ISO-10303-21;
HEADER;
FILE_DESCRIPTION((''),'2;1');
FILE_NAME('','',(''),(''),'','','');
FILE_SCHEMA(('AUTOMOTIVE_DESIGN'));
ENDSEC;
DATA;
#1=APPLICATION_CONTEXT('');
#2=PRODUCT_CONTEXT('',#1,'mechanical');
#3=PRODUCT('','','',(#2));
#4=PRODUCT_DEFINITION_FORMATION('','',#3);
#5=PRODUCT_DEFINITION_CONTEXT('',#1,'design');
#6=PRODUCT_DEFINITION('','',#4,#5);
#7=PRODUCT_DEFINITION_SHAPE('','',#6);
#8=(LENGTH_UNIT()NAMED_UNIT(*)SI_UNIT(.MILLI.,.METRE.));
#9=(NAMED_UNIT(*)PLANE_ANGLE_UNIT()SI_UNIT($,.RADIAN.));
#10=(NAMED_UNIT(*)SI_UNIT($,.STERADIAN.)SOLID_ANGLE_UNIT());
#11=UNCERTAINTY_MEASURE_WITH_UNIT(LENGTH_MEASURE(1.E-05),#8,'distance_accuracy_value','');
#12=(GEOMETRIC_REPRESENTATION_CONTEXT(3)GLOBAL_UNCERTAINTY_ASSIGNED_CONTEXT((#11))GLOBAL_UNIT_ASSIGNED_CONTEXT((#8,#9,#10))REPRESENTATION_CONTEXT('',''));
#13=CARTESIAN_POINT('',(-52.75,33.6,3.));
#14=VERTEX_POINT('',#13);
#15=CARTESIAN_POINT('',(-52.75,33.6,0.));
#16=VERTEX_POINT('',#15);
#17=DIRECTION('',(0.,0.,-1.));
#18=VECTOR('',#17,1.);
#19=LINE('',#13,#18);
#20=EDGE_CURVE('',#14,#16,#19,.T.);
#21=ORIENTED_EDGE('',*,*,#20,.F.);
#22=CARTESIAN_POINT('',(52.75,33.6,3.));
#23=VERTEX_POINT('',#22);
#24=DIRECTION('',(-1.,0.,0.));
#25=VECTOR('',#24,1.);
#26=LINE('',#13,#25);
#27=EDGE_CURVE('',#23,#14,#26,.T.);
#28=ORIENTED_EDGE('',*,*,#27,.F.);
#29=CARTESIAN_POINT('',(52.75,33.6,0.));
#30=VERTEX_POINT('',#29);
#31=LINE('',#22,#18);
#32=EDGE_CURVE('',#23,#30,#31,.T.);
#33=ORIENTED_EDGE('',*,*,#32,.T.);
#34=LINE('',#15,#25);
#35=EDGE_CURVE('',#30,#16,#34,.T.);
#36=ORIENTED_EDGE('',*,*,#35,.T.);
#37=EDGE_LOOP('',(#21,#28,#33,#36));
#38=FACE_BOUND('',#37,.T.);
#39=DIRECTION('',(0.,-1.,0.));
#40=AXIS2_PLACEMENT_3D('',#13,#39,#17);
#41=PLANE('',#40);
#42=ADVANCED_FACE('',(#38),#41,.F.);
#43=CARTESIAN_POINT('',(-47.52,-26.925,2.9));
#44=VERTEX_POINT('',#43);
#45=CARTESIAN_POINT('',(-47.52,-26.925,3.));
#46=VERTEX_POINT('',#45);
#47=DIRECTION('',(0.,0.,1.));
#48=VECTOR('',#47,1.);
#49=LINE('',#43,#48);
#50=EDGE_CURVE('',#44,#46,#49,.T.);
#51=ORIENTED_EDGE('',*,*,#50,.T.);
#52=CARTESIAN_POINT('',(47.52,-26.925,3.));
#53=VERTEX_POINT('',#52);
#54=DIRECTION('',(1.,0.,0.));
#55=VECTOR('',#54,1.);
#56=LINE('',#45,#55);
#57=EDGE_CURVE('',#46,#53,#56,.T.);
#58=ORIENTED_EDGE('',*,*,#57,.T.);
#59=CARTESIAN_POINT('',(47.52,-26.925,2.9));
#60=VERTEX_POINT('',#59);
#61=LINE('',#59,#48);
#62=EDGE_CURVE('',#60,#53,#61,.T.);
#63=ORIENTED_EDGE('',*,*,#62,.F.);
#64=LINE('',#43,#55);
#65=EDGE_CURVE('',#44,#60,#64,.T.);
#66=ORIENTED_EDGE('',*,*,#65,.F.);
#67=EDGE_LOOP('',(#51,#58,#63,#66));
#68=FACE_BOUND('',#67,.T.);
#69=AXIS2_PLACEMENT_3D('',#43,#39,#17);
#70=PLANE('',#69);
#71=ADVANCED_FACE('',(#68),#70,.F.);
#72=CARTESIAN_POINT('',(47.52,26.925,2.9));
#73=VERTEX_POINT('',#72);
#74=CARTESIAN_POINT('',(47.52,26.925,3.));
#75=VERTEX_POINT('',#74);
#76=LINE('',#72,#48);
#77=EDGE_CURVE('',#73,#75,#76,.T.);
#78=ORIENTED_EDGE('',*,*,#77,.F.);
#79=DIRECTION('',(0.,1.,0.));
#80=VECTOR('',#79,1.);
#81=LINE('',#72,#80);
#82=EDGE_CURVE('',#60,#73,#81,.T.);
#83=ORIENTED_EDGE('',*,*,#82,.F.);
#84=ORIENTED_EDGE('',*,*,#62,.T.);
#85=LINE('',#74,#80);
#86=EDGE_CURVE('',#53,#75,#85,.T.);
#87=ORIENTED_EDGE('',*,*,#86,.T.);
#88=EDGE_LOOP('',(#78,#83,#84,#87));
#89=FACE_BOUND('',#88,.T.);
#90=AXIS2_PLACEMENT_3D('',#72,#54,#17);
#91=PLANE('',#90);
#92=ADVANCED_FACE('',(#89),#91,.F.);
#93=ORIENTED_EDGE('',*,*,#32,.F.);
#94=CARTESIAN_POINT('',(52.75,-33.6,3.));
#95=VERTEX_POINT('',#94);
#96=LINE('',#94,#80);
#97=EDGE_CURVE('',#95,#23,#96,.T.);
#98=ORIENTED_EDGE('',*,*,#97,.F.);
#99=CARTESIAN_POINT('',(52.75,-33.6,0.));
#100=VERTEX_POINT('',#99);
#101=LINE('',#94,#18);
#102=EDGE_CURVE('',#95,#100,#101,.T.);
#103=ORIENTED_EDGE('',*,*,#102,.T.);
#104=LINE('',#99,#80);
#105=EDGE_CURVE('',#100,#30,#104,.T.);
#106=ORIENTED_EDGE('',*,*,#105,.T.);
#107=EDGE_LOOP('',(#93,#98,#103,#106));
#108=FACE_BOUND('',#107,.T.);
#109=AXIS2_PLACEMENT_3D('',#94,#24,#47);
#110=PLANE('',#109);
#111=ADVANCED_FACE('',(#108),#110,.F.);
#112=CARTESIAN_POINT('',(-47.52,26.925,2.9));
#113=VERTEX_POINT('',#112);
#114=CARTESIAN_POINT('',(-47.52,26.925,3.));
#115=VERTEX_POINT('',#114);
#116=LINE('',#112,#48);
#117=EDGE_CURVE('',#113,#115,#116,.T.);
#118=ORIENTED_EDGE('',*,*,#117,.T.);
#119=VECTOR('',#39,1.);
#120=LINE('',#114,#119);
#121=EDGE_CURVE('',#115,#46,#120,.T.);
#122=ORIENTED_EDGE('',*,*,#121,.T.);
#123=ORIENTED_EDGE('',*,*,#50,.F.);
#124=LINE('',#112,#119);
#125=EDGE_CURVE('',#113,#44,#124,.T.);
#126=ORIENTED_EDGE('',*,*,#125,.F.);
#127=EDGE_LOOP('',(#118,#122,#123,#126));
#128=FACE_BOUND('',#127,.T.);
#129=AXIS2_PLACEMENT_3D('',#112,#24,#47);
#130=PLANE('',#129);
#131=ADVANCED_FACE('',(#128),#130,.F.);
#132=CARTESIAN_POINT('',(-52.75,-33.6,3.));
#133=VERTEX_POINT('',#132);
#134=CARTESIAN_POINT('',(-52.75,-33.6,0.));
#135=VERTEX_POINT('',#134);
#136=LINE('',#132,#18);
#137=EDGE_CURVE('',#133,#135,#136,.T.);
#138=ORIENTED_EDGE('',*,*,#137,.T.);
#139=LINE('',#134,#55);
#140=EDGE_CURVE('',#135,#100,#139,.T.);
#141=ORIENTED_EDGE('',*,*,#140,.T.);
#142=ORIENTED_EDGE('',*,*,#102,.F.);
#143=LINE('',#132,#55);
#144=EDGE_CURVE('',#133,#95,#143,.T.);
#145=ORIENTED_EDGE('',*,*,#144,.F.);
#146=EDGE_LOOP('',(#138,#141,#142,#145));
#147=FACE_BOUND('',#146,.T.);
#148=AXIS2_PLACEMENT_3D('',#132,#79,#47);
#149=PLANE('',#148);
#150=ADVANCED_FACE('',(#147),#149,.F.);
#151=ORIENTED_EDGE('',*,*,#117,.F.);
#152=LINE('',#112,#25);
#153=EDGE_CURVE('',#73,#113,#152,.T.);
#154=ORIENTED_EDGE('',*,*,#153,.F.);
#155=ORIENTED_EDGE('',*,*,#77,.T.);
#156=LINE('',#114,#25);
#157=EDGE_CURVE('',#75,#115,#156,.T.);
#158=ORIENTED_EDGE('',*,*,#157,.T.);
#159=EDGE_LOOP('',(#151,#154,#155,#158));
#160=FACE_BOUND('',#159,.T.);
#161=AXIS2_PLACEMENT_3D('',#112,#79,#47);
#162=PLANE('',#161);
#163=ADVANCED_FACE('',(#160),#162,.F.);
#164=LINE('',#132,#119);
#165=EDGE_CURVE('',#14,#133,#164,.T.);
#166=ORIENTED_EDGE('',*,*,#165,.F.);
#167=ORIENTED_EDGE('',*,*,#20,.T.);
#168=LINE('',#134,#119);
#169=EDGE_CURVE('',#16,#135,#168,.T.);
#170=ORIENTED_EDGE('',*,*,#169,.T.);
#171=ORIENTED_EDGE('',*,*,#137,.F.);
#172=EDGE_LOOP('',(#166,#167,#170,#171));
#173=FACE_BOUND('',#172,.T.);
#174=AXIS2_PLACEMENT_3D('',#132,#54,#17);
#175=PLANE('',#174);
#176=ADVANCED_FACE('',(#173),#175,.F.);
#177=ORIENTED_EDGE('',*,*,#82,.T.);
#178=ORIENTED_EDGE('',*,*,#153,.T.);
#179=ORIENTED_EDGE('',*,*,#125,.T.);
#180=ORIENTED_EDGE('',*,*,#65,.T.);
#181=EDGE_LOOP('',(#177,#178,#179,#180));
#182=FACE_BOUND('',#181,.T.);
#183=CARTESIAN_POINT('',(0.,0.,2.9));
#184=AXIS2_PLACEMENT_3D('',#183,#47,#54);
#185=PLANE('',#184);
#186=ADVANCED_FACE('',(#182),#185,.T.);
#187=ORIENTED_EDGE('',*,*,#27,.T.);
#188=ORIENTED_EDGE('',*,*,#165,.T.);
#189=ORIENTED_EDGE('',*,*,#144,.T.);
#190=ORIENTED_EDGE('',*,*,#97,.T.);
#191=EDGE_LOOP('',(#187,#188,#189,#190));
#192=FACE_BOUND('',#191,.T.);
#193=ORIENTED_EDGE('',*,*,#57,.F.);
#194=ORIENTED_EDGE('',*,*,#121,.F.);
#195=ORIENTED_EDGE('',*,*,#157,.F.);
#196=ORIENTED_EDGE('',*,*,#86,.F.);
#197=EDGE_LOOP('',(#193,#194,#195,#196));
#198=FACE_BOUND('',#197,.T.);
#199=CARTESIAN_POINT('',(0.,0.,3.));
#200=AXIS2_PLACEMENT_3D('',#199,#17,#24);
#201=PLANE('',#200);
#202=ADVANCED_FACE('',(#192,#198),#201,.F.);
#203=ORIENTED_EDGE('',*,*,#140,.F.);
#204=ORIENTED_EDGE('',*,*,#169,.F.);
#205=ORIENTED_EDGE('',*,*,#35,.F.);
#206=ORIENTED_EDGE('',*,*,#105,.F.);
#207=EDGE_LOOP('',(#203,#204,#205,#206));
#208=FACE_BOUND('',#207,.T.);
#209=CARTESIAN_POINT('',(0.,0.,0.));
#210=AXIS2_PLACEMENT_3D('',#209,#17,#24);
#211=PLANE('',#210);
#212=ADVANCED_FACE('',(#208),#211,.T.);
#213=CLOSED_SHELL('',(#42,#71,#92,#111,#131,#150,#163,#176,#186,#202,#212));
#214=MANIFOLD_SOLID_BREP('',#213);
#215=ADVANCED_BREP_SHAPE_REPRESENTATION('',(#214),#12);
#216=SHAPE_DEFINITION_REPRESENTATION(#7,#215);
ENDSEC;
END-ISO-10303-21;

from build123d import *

# Parameters (mm, degrees)
SKETCH_1_W          = 105.5
SKETCH_1_H          = 67.2
EXTRUDE_1_DEPTH     = 3
SKETCH_2_W          = 95.04
SKETCH_2_H          = 53.85
CUT_EXTRUDE_1_DEPTH = 0.1


with BuildPart() as part:
    # 草图1 → 凸台-拉伸1 (new body)
    with BuildSketch(Plane.XY):
        Rectangle(SKETCH_1_W, SKETCH_1_H)
    extrude(amount=EXTRUDE_1_DEPTH)

    # 草图2 → 切除-拉伸1 (cut)
    with BuildSketch(Plane.XY.offset(3)):
        Rectangle(SKETCH_2_W, SKETCH_2_H)
    extrude(amount=-CUT_EXTRUDE_1_DEPTH, mode=Mode.SUBTRACT)


solid = part.part
